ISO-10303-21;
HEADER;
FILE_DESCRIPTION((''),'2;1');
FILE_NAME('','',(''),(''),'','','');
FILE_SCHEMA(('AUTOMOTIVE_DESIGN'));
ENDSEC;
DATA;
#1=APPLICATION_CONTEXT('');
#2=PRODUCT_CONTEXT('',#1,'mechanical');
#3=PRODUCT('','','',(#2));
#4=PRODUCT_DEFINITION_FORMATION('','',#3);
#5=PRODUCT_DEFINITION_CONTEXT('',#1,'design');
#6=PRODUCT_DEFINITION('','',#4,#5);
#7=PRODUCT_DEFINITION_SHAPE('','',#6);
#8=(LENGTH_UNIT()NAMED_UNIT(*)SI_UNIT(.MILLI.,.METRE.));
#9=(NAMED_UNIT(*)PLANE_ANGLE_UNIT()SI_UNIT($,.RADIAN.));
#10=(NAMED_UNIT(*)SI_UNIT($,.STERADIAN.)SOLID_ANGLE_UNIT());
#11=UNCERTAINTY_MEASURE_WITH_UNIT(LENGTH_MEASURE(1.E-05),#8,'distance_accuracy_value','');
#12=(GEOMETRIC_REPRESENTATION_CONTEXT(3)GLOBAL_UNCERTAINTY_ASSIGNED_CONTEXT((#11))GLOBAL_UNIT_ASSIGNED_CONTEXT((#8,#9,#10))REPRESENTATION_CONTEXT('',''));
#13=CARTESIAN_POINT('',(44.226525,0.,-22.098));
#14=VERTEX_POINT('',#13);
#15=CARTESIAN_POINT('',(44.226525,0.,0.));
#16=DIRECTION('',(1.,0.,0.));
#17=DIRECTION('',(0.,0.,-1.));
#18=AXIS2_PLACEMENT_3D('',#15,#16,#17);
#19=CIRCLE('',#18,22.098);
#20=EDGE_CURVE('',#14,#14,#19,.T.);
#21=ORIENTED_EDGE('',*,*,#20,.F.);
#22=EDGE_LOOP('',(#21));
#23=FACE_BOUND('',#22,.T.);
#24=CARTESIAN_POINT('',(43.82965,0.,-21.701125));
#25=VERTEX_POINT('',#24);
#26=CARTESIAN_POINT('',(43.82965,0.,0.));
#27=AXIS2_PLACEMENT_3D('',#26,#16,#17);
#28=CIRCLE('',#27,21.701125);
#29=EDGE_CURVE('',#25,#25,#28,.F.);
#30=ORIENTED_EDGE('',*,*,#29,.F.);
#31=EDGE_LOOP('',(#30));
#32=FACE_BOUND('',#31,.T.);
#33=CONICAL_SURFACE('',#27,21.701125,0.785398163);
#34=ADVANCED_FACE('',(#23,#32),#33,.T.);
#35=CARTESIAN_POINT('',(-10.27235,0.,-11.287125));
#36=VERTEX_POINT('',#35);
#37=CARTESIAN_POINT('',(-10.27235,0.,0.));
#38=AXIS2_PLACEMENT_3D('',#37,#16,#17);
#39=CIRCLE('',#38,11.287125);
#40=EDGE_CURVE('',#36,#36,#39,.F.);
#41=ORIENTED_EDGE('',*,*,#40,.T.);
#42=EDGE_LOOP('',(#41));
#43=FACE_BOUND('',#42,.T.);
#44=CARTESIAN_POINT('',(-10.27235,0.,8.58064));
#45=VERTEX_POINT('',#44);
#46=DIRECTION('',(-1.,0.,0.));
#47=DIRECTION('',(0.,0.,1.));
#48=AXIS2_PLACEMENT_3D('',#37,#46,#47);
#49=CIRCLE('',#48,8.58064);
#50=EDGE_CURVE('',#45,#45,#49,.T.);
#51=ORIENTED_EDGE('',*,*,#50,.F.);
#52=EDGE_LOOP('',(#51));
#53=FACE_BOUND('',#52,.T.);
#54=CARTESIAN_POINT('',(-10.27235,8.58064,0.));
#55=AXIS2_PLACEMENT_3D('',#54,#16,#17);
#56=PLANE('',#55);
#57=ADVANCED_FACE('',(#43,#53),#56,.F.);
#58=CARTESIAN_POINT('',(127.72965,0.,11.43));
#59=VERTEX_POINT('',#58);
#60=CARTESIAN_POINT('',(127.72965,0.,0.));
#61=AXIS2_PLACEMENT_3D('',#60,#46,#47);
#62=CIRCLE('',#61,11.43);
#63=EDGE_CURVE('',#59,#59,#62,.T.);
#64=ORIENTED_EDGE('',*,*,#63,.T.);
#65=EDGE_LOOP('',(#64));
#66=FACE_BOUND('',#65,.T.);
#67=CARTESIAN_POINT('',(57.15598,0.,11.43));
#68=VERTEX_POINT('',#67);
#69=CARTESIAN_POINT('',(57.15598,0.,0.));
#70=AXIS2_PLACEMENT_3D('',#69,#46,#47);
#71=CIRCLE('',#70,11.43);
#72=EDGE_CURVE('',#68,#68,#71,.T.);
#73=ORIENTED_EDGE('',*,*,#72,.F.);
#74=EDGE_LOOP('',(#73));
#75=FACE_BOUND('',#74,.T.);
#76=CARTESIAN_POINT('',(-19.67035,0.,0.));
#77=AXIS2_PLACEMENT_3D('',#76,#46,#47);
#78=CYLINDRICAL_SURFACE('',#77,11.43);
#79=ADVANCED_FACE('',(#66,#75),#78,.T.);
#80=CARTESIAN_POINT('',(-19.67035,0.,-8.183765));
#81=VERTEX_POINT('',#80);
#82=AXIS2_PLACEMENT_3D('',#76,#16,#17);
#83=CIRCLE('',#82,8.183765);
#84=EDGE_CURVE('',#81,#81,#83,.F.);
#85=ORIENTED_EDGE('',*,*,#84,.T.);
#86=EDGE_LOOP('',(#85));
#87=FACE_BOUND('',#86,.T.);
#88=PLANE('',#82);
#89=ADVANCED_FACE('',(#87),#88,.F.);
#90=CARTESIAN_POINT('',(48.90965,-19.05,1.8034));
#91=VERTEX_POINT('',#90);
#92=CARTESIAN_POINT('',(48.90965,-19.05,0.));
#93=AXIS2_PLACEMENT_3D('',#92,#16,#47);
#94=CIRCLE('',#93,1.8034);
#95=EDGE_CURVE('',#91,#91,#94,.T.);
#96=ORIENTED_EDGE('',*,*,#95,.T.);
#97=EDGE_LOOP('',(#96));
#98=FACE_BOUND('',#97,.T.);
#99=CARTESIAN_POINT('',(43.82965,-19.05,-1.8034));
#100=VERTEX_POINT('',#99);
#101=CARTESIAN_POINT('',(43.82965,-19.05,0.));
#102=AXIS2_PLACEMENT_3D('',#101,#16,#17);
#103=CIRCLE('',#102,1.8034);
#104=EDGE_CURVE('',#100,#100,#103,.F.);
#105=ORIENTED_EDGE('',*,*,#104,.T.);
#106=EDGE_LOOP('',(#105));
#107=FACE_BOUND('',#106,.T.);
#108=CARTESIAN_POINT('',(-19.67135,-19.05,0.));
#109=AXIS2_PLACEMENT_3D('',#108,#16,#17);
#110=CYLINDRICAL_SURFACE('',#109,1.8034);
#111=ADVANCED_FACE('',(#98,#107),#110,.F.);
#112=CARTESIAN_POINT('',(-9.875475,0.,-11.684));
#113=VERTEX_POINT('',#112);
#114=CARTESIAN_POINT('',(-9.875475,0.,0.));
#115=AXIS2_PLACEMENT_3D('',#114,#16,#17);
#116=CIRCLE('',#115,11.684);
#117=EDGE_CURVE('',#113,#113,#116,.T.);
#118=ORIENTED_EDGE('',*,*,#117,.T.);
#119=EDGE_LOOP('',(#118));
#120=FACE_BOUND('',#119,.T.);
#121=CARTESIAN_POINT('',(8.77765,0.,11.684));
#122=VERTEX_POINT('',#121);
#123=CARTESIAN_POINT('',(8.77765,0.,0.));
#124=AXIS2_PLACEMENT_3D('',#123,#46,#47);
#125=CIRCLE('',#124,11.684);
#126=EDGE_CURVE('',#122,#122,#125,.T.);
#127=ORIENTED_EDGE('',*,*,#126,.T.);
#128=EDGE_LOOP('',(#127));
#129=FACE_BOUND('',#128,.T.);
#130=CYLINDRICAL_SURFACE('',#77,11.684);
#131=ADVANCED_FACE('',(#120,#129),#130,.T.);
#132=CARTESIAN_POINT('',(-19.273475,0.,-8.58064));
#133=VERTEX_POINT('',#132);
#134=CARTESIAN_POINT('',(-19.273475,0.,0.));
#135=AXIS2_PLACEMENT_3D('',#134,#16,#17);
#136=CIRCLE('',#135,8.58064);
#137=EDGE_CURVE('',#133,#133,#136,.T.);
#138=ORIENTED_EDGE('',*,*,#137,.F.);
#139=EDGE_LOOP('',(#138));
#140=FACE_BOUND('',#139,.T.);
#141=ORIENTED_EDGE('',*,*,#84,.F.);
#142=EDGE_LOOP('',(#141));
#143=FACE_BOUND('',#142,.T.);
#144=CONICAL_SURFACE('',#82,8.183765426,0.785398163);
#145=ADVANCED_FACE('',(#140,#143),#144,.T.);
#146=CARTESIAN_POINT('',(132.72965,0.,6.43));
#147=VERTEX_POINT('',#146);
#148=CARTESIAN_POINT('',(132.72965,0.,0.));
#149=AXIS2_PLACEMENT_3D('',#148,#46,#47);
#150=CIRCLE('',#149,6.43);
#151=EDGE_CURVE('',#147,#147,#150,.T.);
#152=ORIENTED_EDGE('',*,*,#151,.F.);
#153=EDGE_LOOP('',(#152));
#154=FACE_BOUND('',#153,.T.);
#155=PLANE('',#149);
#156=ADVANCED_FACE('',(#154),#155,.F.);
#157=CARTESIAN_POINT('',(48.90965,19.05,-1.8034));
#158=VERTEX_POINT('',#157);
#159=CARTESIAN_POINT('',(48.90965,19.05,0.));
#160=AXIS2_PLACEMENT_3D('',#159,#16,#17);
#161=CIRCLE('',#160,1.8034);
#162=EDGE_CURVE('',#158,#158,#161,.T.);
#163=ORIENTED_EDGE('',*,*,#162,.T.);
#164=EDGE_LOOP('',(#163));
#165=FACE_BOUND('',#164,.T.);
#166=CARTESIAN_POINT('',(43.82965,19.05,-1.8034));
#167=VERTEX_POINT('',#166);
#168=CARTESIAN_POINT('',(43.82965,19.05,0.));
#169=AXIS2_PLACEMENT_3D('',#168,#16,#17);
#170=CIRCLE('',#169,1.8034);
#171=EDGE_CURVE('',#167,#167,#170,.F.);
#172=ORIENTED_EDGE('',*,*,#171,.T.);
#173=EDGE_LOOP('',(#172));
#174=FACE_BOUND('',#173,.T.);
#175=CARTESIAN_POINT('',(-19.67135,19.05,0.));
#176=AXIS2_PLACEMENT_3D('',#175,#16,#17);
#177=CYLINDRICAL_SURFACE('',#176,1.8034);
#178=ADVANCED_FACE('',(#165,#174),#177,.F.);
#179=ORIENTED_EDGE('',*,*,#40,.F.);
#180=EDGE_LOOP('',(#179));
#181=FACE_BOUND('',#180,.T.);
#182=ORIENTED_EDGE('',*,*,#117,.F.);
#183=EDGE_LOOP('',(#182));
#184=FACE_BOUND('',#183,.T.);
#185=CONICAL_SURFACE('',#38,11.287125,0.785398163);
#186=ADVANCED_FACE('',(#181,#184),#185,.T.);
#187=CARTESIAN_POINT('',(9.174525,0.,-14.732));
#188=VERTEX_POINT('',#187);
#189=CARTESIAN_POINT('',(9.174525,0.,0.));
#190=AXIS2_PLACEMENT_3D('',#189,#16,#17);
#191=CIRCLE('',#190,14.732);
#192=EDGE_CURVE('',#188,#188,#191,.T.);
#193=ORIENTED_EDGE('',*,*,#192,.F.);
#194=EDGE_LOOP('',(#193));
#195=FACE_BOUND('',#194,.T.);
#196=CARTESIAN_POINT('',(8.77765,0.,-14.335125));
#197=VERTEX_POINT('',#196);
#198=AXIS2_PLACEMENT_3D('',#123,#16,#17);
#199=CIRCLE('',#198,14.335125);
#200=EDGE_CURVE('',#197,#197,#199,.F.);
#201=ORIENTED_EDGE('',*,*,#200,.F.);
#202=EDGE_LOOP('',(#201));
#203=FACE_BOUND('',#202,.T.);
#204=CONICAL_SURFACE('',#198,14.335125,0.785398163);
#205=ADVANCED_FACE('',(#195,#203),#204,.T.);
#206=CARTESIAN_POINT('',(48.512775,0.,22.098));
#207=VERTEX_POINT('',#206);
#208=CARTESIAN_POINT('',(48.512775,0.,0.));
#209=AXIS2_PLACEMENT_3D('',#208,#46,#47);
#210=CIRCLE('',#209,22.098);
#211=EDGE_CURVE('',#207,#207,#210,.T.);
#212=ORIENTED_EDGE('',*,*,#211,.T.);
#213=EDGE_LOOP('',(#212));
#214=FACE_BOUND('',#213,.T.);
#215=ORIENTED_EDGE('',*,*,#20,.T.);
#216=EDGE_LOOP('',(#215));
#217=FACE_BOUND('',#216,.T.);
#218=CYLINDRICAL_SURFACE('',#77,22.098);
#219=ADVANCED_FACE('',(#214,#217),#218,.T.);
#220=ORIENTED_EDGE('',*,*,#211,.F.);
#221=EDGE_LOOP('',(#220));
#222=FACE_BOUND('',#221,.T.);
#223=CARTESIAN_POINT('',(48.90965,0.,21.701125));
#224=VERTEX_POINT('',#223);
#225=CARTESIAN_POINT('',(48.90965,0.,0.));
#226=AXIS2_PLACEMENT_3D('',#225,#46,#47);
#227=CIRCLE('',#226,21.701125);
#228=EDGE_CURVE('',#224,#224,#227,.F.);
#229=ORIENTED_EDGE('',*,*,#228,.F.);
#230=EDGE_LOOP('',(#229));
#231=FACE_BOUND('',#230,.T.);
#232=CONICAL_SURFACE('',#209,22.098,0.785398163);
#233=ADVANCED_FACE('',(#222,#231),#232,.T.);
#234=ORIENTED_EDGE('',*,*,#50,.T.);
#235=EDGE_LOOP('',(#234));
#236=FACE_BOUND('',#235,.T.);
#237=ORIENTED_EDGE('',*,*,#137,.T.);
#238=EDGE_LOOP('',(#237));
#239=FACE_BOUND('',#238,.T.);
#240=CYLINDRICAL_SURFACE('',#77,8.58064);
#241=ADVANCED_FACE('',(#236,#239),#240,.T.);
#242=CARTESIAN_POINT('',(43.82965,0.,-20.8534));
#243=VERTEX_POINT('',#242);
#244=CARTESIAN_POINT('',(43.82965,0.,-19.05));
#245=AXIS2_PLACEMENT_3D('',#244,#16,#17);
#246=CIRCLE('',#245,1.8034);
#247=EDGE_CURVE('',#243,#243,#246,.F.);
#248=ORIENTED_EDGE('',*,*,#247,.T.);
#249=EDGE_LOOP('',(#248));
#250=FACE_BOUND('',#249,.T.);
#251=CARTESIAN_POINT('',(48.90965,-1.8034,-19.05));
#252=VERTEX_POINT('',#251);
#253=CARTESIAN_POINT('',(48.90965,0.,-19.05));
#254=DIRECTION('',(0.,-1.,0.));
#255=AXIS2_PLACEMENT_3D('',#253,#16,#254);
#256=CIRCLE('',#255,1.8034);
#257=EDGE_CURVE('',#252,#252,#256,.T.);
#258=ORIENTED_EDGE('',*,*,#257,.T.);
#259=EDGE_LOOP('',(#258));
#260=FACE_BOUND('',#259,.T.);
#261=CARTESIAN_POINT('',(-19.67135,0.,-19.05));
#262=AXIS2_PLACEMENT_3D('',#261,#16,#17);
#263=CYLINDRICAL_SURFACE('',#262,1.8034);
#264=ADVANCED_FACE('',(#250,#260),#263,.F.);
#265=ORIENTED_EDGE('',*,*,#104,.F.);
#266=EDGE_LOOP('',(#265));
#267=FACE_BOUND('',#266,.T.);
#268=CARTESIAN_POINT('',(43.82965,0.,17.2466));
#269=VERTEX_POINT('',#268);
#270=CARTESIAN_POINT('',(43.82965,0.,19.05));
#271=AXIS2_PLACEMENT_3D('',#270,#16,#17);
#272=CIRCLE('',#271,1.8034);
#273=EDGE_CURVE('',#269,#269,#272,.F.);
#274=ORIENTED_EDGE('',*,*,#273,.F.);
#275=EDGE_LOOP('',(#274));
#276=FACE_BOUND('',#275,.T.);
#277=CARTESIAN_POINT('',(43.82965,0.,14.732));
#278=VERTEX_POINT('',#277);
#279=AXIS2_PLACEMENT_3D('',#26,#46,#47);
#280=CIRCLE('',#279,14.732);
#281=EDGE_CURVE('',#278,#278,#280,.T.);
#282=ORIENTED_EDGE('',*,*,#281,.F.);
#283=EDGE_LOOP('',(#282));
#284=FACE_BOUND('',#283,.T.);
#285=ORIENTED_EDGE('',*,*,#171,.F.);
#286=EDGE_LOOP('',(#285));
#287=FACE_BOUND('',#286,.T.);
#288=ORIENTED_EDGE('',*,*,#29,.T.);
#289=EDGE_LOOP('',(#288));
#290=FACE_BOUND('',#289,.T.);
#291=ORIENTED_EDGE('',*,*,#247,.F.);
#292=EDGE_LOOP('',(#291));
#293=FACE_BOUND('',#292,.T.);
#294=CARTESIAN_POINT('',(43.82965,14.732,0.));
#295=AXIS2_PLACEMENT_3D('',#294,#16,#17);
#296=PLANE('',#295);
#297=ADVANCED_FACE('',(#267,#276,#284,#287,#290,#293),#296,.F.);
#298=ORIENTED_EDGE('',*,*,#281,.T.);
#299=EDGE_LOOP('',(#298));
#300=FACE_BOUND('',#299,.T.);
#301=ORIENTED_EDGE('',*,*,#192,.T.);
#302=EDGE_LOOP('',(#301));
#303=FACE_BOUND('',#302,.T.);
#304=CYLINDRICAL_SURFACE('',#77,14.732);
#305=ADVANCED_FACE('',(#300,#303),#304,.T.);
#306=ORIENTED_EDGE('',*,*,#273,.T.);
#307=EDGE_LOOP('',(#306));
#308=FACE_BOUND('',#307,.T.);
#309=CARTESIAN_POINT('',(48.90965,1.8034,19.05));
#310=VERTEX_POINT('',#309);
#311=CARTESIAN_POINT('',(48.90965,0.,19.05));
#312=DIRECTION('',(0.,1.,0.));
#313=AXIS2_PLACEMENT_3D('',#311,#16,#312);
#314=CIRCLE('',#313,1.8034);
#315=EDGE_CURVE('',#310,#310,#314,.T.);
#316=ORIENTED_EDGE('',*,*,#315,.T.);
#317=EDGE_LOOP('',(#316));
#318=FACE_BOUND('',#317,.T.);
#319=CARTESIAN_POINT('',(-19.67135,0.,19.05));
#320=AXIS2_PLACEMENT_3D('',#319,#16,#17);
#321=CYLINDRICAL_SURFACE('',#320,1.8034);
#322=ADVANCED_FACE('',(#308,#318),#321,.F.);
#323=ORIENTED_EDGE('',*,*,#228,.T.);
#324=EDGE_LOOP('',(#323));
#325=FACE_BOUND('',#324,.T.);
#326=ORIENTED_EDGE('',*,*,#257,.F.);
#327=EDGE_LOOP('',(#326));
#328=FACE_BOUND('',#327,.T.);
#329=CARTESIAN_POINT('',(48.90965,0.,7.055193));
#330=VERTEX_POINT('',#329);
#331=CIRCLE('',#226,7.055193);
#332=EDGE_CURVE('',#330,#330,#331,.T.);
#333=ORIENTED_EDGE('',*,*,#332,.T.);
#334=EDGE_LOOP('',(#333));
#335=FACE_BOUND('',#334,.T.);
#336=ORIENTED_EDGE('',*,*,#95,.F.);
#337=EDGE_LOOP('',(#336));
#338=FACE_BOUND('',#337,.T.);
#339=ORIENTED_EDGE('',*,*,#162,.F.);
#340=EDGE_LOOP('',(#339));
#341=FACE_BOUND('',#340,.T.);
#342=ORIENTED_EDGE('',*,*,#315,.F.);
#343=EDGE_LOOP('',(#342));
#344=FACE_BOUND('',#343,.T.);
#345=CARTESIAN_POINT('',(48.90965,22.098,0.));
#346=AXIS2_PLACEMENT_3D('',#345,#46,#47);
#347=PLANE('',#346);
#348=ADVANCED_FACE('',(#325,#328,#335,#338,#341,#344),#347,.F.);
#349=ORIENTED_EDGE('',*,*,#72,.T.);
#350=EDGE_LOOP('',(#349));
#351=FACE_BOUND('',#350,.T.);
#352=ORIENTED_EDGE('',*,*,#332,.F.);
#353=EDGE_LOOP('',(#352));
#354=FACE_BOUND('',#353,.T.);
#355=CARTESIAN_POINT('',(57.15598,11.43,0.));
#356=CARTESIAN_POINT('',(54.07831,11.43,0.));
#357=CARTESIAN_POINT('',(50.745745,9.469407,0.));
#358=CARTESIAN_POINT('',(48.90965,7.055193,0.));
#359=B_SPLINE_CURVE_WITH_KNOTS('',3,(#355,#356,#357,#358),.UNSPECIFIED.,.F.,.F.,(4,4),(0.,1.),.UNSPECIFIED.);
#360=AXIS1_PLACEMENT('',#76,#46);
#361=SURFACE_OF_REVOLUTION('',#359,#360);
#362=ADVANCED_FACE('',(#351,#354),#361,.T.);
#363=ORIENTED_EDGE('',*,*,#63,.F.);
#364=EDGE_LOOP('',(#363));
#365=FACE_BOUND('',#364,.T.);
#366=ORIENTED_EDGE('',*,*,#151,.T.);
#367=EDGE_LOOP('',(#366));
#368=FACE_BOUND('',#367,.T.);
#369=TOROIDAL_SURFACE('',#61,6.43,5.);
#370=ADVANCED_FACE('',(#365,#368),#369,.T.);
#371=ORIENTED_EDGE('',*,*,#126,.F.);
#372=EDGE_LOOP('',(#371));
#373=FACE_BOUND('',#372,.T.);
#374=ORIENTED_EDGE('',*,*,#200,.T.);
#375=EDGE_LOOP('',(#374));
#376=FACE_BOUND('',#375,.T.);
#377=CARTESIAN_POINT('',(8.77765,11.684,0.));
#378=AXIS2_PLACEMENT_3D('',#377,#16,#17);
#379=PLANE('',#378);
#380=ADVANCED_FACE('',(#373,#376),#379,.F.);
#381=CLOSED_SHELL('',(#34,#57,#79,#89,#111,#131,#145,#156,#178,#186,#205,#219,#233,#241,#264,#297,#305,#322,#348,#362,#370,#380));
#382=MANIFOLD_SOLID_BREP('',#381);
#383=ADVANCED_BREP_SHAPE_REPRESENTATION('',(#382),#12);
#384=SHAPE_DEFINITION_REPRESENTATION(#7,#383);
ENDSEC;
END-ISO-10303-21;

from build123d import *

# Parameters (mm, degrees)
SKETCH2_R          = 1.8034
CUT_EXTRUDE1_DEPTH = 5.08
CIRPATTERN2_COUNT  = 4
CHAMFER1_SIZE      = 0.396875


with BuildPart() as part:
    # Sketch1 → Revolve1 (revolve)
    with BuildSketch(Plane.XY):
        with BuildLine():
            Line((-19.670349573, 0), (-19.670349573, 8.580640426))
            Line((-19.670349573, 8.580640426), (-10.272349573, 8.580640426))
            Line((-10.272349573, 8.580640426), (-10.272349573, 11.684))
            Line((-10.272349573, 11.684), (8.777650427, 11.684))
            Line((8.777650427, 11.684), (8.777650427, 14.732))
            Line((8.777650427, 14.732), (43.829650427, 14.732))
            Line((43.829650427, 14.732), (43.829650427, 22.098))
            Line((43.829650427, 22.098), (48.909650427, 22.098))
            Line((48.909650427, 22.098), (48.909650427, 7.055193239))
            add(Edge.make_bspline(
                [(48.909650427, 7.055193239), (50.745745469, 9.469407322), (54.078310122, 11.43), (57.155980429, 11.43)],
                knots=[0, 0, 0, 0, 1, 1, 1, 1], degree=3))
            Line((57.155980429, 11.43), (127.729650427, 11.43))
            ThreePointArc((127.729650427, 11.43), (131.265184333, 9.965533906), (132.729650427, 6.43))
            Line((132.729650427, 6.43), (132.729650427, 0))
            Line((132.729650427, 0), (-19.670349573, 0))
        make_face()
    revolve(axis=Axis((-19.670349573, 0, 0), (1, 0, 0)))

    # Sketch2 → Cut-Extrude1 (cut)
    with BuildSketch(Plane(origin=(48.909650427, 0, 0), x_dir=(0, 0, -1), z_dir=(1, 0, 0))):
        with Locations((0, 19.05)):
            Circle(SKETCH2_R)
    cut_extrude1 = extrude(amount=-CUT_EXTRUDE1_DEPTH, mode=Mode.SUBTRACT)

    # CirPattern2: Cut-Extrude1 ×4 about axis
    cirpattern2_axis = Axis((0, 0, 0), (1, 0, 0))
    for i in range(1, CIRPATTERN2_COUNT):
        add(cut_extrude1.rotate(cirpattern2_axis, i * 360 / CIRPATTERN2_COUNT), mode=Mode.SUBTRACT)

    # Chamfer1
    chamfer1_edges = [part.edges().sort_by_distance(p)[0] for p in [
        (48.909650427, -22.098, 0),
        (43.829650427, -22.098, 0),
        (8.777650427, -14.732, 0),
        (-10.272349573, -11.684, 0),
        (-19.670349573, -8.580640426, 0),
    ]]
    chamfer(chamfer1_edges, length=CHAMFER1_SIZE)


solid = part.part
